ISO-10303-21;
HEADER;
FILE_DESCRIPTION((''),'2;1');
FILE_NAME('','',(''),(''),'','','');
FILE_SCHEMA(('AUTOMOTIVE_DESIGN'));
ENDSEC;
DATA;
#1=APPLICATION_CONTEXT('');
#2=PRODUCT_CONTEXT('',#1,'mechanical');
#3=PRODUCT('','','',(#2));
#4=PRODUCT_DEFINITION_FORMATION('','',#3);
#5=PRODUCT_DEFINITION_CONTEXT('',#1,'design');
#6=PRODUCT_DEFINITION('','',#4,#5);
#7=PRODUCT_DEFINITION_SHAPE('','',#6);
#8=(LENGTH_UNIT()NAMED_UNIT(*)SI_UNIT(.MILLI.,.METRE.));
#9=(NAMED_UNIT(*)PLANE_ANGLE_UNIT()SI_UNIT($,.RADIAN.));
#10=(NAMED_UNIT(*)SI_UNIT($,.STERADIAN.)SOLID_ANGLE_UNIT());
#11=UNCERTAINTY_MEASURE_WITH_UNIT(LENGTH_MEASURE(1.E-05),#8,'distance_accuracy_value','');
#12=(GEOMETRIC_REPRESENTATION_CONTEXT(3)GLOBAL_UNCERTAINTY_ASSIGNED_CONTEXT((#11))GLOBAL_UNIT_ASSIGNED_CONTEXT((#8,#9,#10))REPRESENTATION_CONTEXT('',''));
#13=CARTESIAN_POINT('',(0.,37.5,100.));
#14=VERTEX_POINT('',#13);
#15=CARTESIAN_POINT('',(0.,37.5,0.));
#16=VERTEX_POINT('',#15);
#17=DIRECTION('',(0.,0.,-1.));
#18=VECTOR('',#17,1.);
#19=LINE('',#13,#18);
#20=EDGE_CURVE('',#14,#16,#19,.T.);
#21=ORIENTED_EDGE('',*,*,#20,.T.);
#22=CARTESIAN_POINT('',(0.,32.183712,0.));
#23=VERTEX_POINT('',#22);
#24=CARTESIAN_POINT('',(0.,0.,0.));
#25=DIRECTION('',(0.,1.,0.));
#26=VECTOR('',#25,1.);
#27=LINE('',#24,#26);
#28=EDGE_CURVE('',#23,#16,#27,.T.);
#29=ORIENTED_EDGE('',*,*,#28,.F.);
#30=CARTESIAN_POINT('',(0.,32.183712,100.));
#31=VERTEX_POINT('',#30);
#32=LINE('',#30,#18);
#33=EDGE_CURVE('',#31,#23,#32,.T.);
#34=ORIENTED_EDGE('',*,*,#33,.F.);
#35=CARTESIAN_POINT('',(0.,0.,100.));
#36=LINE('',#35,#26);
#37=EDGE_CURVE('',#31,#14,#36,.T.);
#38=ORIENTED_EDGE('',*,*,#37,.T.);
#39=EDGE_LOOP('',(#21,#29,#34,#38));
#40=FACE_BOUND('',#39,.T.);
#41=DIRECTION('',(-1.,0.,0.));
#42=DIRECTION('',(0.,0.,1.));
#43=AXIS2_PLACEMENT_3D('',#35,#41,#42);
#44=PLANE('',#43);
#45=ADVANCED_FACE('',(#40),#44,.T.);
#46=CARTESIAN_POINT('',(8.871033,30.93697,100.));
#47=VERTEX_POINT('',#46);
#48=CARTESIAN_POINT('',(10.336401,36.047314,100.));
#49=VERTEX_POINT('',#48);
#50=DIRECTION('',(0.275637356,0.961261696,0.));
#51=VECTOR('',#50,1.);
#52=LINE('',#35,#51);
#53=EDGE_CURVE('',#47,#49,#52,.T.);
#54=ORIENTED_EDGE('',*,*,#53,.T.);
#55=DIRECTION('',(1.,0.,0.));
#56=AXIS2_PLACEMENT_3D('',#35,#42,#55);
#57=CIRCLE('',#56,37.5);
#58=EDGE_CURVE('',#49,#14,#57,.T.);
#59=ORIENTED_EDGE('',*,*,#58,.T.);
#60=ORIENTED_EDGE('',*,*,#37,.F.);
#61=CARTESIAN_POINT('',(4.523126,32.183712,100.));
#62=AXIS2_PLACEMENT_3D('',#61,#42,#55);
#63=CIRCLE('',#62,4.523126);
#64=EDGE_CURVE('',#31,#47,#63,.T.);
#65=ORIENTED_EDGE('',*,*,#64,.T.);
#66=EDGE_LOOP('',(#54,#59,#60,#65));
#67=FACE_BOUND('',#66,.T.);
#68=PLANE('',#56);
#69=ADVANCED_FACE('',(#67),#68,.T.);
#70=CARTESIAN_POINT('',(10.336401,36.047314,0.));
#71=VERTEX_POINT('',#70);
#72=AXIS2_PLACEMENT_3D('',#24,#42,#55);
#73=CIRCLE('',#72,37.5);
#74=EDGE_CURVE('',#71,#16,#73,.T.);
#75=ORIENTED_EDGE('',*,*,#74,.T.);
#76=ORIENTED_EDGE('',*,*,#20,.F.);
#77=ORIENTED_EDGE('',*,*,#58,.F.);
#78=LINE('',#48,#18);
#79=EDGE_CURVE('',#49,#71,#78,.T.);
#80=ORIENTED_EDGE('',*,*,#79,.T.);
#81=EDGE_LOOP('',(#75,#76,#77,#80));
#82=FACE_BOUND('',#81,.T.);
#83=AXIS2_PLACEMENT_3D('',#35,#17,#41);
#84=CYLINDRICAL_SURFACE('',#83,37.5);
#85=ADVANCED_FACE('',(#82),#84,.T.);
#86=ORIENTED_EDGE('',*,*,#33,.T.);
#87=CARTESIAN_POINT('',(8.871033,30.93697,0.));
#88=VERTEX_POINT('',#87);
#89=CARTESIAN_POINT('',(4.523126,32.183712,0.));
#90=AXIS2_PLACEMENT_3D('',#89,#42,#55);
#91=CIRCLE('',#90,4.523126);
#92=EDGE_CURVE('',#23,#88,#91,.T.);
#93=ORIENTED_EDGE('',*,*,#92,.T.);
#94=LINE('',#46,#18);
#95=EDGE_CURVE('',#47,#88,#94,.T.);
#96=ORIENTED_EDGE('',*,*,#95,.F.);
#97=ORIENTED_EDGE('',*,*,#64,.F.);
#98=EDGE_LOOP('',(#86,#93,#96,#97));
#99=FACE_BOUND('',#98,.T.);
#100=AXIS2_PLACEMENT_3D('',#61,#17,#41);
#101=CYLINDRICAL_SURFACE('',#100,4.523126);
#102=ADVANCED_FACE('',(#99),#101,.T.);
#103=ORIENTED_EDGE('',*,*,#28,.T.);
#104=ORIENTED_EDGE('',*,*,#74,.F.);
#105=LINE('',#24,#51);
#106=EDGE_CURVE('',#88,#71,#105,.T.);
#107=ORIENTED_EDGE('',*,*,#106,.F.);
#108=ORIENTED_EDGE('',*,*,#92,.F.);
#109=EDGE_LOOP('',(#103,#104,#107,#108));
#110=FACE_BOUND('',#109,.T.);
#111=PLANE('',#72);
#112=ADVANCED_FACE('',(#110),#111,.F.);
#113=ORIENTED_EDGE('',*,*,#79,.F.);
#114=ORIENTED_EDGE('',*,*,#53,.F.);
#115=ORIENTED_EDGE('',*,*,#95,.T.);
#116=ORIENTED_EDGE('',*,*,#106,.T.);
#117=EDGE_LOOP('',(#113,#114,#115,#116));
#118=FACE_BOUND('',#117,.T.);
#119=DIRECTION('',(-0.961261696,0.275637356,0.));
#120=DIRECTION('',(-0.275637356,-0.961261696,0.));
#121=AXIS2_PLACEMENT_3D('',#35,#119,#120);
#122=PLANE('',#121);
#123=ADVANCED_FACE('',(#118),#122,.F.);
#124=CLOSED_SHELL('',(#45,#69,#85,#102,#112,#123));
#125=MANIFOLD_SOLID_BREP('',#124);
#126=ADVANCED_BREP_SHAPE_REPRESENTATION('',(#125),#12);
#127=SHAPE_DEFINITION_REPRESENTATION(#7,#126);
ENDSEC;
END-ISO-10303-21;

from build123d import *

# Parameters (mm, degrees)
BOSS_EXTRUDE1_DEPTH = 100


with BuildPart() as part:
    # Sketch1 → Boss-Extrude1 (new body)
    with BuildSketch(Plane.XY):
        with BuildLine():
            ThreePointArc((5.152623222, 36.662819266), (1.555688273, 35.597358594), (0, 32.183712234))
            ThreePointArc((0, 32.183712234), (1.109479422, 29.216274726), (3.89362834, 27.704605202))
            Line((3.89362834, 27.704605202), (5.152623222, 36.662819266))
        make_face()
        with BuildLine():
            ThreePointArc((3.89362834, 27.704605202), (6.986596787, 28.390299861), (8.871033436, 30.936970137))
            ThreePointArc((8.871033436, 30.936970137), (9.002232837, 31.554214965), (9.046251562, 32.183712234))
            ThreePointArc((9.046251562, 32.183712234), (7.936772141, 35.151149742), (5.152623222, 36.662819266))
            Line((5.152623222, 36.662819266), (3.89362834, 27.704605202))
        make_face()
        with BuildLine():
            ThreePointArc((9.046251562, 32.183712234), (9.002232837, 31.554214965), (8.871033436, 30.936970137))
            Line((8.871033436, 30.936970137), (10.336400843, 36.047313598))
            ThreePointArc((10.336400843, 36.047313598), (7.796688406, 36.680535028), (5.218991286, 37.135052578))
            Line((5.218991286, 37.135052578), (5.152623222, 36.662819266))
            ThreePointArc((5.152623222, 36.662819266), (7.936772141, 35.151149742), (9.046251562, 32.183712234))
        make_face()
        with BuildLine():
            Line((0, 37.5), (0, 32.183712234))
            ThreePointArc((0, 32.183712234), (1.555688273, 35.597358594), (5.152623222, 36.662819266))
            Line((5.152623222, 36.662819266), (5.218991286, 37.135052578))
            ThreePointArc((5.218991286, 37.135052578), (2.615867765, 37.408651885), (0, 37.5))
        make_face()
    extrude(amount=BOSS_EXTRUDE1_DEPTH)


solid = part.part
